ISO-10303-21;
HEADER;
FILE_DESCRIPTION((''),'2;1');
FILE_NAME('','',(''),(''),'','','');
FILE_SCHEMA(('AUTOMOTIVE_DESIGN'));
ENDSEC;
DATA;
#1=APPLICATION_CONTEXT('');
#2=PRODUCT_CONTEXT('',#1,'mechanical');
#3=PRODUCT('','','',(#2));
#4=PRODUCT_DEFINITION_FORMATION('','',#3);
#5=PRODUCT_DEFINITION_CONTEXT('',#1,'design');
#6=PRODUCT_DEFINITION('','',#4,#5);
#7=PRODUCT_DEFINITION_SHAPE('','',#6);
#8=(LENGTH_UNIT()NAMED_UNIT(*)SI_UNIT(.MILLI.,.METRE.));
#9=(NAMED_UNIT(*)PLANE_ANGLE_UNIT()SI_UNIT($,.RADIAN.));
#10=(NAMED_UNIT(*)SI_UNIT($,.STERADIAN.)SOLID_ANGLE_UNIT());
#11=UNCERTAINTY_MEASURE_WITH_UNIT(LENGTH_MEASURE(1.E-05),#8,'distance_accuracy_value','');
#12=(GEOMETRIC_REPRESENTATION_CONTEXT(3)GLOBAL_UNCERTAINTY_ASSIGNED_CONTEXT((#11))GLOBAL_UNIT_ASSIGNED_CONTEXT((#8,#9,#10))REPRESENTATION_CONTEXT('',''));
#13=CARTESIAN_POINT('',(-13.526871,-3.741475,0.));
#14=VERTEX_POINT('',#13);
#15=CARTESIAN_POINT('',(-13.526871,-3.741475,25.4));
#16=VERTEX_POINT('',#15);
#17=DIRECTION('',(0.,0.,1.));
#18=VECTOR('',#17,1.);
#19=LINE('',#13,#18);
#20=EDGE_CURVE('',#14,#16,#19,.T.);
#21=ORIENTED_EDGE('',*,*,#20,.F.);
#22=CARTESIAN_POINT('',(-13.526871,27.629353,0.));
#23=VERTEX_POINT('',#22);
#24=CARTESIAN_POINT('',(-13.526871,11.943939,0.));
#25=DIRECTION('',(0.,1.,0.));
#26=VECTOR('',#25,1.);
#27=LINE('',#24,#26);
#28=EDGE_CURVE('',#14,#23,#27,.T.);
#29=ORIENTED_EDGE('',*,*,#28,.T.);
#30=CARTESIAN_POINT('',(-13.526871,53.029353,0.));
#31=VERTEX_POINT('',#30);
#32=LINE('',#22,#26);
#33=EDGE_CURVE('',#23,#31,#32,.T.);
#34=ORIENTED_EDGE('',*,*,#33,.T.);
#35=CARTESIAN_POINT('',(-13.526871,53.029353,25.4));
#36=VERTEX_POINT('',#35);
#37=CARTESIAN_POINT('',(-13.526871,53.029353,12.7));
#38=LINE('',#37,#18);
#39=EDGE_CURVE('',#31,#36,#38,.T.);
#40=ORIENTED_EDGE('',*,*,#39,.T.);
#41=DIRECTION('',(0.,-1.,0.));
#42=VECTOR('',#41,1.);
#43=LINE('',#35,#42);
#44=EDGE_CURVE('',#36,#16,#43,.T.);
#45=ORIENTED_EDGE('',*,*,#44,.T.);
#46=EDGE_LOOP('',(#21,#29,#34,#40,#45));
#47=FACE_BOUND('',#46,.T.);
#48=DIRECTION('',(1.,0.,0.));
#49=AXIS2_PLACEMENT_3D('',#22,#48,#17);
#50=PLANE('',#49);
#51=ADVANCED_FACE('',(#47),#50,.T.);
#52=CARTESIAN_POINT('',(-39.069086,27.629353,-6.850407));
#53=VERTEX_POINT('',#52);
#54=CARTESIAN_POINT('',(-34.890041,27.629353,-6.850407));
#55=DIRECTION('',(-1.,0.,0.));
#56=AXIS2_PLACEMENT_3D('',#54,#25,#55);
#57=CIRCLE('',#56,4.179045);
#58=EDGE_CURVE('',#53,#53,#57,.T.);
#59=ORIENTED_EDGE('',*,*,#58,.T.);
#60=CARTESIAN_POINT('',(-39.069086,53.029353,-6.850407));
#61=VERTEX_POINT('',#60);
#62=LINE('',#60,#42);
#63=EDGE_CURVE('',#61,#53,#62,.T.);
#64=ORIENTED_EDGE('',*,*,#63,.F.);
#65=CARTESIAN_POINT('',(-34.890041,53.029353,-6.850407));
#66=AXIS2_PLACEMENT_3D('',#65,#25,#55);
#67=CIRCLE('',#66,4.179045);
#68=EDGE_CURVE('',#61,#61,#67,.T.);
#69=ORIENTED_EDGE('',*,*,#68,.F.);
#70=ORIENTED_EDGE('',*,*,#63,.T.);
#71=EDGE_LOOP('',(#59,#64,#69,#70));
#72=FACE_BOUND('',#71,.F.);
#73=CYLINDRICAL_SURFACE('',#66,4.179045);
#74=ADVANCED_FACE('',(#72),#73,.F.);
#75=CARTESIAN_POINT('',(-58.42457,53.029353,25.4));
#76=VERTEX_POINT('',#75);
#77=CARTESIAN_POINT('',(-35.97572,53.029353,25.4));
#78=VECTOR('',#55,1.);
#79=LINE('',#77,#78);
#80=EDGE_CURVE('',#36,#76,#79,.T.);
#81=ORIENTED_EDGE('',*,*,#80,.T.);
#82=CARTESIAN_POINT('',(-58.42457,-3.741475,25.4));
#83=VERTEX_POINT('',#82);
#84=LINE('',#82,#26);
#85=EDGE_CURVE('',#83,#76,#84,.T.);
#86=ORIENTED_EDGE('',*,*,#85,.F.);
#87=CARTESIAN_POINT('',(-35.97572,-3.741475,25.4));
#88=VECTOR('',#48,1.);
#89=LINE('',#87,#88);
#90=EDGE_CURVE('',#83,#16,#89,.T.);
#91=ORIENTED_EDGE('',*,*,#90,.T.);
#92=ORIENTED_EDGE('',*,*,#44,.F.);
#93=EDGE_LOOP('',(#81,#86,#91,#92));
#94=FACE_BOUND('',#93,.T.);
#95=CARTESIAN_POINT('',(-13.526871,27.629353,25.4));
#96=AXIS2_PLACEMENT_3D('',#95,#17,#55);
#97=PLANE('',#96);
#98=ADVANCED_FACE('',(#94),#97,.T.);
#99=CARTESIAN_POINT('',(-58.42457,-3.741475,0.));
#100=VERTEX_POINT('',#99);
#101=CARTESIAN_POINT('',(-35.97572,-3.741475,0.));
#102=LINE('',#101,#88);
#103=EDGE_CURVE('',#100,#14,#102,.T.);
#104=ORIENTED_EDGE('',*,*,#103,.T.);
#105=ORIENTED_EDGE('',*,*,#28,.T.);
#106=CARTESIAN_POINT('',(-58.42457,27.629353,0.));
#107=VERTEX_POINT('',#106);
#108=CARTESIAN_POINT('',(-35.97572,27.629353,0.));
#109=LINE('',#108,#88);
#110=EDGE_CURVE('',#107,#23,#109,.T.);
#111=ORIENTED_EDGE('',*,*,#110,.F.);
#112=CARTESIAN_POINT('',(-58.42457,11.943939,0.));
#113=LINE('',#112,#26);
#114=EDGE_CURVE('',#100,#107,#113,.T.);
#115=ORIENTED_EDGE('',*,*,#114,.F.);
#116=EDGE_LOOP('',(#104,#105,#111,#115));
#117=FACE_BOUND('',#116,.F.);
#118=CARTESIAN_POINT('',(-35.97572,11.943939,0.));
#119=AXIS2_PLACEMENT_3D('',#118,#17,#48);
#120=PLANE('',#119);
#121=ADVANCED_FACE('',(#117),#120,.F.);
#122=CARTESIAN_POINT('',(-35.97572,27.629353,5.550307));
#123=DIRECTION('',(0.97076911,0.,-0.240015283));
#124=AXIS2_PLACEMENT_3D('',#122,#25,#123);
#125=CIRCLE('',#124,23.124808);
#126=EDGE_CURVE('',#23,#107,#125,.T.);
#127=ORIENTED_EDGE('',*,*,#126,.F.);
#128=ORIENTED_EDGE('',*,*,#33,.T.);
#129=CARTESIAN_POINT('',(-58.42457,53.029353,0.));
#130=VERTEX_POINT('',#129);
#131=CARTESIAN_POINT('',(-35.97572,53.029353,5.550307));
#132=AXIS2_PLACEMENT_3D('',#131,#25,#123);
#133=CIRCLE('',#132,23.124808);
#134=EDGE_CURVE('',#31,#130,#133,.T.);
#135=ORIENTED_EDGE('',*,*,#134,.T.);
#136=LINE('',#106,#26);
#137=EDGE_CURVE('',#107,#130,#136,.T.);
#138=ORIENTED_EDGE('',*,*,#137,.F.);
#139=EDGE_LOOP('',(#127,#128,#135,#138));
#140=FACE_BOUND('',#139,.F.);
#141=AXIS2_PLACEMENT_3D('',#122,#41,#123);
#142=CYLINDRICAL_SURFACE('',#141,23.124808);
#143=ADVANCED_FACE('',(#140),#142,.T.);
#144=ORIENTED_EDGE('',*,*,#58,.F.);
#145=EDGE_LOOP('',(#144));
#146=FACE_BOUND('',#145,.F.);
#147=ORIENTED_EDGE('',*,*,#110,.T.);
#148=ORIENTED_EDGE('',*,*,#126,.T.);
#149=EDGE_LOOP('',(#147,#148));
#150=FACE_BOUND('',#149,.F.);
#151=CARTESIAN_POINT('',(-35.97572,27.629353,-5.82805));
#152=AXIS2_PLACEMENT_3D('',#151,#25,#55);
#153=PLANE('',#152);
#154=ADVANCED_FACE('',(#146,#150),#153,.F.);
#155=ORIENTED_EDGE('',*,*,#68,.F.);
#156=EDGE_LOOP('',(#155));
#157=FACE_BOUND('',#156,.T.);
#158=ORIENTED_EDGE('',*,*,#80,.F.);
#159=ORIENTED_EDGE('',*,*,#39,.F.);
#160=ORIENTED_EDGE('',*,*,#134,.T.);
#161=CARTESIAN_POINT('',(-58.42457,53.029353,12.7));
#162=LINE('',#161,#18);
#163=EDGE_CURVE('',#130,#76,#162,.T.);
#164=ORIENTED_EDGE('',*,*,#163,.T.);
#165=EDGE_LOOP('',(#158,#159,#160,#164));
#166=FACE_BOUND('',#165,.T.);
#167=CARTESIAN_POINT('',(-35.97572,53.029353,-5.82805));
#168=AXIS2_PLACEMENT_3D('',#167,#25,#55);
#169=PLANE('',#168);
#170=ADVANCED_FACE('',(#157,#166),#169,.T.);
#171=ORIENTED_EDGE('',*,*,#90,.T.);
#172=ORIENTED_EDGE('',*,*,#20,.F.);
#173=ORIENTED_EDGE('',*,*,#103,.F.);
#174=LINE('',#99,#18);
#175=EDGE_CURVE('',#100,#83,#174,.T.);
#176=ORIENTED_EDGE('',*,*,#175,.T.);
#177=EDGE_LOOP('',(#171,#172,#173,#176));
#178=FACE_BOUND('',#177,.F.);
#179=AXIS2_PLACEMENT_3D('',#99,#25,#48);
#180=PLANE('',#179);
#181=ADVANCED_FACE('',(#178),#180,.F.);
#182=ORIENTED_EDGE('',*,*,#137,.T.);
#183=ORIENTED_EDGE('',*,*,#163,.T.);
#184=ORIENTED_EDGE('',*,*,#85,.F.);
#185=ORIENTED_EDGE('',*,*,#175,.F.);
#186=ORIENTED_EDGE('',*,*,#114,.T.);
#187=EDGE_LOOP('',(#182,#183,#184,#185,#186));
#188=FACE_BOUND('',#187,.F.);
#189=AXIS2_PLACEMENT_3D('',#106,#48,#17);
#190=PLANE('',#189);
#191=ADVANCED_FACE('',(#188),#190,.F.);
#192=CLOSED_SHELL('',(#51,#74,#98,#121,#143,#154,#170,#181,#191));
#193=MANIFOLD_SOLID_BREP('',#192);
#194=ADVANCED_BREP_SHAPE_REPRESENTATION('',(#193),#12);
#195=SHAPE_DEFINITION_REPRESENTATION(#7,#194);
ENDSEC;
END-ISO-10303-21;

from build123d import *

# Parameters (mm, degrees)
F0_W     = 44.8976987973
F0_H     = 31.3708279282
F1_DEPTH = 25.4
F2_W     = 44.8976987973
F2_H     = 25.4
F3_DEPTH = 25.4
F4_R     = 4.1790450116
F5_DEPTH = 25.4


with BuildPart() as f1:
    # F0 (on Top) → F1 (new body)
    with BuildSketch(Plane.XY):
        with Locations((-35.9757202677, 11.9439391419)):
            Rectangle(F0_W, F0_H)
    extrude(amount=F1_DEPTH)

    # F2 (on face) → F3 (join)
    with BuildSketch(Plane(origin=(0, 27.629353106, 0), x_dir=(-1, 0, 0), z_dir=(0, 1, 0))):
        with BuildLine():
            Line((58.4245696664, 0), (13.5268708691, 0))
            ThreePointArc((13.5268708691, 0), (35.9757202677, -17.5745007714), (58.4245696664, 0))
        make_face()
        with Locations((35.9757202677, 12.7)):
            Rectangle(F2_W, F2_H)
    extrude(amount=F3_DEPTH)

    # F4 (on face) → F5 (cut)
    with BuildSketch(Plane(origin=(0, 53.029353106, 0), x_dir=(-1, 0, 0), z_dir=(0, 1, 0))):
        with Locations((34.8900407553, -6.8504069932)):
            Circle(F4_R)
    extrude(amount=-F5_DEPTH, mode=Mode.SUBTRACT)


solid = f1.part
